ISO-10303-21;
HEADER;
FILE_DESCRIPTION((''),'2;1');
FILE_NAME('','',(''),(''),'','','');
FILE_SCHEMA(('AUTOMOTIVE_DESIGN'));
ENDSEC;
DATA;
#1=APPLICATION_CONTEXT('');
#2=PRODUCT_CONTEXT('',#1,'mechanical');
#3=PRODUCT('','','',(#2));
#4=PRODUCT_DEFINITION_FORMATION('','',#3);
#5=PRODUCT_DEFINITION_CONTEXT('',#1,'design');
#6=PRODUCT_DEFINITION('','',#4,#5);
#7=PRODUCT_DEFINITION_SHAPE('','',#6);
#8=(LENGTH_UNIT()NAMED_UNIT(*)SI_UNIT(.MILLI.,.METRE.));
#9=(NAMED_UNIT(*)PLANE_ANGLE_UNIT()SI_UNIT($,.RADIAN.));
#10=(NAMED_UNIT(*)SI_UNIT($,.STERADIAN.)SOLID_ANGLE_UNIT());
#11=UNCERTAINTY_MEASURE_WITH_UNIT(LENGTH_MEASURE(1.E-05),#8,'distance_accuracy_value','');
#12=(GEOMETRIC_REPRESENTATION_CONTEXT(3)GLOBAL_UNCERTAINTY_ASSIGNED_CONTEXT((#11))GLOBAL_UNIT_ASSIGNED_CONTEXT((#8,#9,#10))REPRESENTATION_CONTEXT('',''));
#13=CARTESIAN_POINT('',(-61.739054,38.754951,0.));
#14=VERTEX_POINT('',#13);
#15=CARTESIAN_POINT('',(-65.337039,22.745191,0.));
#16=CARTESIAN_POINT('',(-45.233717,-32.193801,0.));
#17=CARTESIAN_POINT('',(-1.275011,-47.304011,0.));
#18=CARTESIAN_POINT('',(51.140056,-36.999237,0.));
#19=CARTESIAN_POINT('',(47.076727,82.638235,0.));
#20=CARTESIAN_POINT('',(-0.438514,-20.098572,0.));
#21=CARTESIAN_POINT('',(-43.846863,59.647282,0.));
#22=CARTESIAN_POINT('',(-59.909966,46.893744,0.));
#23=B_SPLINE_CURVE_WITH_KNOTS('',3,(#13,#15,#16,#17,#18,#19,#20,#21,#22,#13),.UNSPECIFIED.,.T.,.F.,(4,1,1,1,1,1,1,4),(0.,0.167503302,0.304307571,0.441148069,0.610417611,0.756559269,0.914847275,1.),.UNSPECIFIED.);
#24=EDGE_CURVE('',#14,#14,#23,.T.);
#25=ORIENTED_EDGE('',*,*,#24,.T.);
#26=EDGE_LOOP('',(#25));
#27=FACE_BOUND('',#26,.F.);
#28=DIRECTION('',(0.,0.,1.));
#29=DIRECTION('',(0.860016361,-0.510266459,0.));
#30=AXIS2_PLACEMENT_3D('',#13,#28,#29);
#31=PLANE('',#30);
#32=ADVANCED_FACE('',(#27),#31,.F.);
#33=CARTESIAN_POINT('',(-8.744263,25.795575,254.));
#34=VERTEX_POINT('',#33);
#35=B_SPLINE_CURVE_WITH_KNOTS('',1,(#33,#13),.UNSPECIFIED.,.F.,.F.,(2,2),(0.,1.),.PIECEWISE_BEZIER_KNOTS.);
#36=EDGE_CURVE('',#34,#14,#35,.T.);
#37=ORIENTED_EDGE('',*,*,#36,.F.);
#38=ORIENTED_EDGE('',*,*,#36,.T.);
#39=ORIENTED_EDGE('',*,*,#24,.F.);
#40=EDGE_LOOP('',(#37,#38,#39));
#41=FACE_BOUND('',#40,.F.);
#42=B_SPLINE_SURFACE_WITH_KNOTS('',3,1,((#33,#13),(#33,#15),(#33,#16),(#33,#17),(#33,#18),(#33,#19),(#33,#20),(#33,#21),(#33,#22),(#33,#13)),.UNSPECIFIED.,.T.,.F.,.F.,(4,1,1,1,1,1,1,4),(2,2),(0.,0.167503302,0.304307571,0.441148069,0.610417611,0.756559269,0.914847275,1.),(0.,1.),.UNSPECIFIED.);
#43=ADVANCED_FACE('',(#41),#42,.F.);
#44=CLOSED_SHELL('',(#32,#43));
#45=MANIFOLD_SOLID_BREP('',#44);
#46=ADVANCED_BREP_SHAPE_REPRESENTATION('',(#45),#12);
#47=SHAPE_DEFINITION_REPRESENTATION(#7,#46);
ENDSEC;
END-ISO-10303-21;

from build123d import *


with BuildPart() as f3:
    # F0 (on Top) → F3 section 0
    with BuildSketch(Plane.XY, mode=Mode.PRIVATE) as f3_s0:
        with BuildLine():
            add(Edge.make_bspline(
                [(-61.7390535772, 38.7549512088), (-65.3370386941, 22.7451906399), (-45.2337168154, -32.1938007759), (-1.2750107112, -47.3040108984), (51.1400559828, -36.9992369491), (47.0767265839, 82.6382351553), (-0.4385142017, -20.0985718015), (-43.8468631617, 59.6472817822), (-59.9099658342, 46.893744415), (-61.7390535772, 38.7549512088)],
                knots=[0, 0, 0, 0, 0.1675033015, 0.304307571, 0.4411480688, 0.6104176113, 0.7565592689, 0.9148472754, 1, 1, 1, 1], degree=3))
        make_face()
    loft([Vertex(-8.7442630902, 25.7955752313, 254), f3_s0.sketch])


solid = f3.part
